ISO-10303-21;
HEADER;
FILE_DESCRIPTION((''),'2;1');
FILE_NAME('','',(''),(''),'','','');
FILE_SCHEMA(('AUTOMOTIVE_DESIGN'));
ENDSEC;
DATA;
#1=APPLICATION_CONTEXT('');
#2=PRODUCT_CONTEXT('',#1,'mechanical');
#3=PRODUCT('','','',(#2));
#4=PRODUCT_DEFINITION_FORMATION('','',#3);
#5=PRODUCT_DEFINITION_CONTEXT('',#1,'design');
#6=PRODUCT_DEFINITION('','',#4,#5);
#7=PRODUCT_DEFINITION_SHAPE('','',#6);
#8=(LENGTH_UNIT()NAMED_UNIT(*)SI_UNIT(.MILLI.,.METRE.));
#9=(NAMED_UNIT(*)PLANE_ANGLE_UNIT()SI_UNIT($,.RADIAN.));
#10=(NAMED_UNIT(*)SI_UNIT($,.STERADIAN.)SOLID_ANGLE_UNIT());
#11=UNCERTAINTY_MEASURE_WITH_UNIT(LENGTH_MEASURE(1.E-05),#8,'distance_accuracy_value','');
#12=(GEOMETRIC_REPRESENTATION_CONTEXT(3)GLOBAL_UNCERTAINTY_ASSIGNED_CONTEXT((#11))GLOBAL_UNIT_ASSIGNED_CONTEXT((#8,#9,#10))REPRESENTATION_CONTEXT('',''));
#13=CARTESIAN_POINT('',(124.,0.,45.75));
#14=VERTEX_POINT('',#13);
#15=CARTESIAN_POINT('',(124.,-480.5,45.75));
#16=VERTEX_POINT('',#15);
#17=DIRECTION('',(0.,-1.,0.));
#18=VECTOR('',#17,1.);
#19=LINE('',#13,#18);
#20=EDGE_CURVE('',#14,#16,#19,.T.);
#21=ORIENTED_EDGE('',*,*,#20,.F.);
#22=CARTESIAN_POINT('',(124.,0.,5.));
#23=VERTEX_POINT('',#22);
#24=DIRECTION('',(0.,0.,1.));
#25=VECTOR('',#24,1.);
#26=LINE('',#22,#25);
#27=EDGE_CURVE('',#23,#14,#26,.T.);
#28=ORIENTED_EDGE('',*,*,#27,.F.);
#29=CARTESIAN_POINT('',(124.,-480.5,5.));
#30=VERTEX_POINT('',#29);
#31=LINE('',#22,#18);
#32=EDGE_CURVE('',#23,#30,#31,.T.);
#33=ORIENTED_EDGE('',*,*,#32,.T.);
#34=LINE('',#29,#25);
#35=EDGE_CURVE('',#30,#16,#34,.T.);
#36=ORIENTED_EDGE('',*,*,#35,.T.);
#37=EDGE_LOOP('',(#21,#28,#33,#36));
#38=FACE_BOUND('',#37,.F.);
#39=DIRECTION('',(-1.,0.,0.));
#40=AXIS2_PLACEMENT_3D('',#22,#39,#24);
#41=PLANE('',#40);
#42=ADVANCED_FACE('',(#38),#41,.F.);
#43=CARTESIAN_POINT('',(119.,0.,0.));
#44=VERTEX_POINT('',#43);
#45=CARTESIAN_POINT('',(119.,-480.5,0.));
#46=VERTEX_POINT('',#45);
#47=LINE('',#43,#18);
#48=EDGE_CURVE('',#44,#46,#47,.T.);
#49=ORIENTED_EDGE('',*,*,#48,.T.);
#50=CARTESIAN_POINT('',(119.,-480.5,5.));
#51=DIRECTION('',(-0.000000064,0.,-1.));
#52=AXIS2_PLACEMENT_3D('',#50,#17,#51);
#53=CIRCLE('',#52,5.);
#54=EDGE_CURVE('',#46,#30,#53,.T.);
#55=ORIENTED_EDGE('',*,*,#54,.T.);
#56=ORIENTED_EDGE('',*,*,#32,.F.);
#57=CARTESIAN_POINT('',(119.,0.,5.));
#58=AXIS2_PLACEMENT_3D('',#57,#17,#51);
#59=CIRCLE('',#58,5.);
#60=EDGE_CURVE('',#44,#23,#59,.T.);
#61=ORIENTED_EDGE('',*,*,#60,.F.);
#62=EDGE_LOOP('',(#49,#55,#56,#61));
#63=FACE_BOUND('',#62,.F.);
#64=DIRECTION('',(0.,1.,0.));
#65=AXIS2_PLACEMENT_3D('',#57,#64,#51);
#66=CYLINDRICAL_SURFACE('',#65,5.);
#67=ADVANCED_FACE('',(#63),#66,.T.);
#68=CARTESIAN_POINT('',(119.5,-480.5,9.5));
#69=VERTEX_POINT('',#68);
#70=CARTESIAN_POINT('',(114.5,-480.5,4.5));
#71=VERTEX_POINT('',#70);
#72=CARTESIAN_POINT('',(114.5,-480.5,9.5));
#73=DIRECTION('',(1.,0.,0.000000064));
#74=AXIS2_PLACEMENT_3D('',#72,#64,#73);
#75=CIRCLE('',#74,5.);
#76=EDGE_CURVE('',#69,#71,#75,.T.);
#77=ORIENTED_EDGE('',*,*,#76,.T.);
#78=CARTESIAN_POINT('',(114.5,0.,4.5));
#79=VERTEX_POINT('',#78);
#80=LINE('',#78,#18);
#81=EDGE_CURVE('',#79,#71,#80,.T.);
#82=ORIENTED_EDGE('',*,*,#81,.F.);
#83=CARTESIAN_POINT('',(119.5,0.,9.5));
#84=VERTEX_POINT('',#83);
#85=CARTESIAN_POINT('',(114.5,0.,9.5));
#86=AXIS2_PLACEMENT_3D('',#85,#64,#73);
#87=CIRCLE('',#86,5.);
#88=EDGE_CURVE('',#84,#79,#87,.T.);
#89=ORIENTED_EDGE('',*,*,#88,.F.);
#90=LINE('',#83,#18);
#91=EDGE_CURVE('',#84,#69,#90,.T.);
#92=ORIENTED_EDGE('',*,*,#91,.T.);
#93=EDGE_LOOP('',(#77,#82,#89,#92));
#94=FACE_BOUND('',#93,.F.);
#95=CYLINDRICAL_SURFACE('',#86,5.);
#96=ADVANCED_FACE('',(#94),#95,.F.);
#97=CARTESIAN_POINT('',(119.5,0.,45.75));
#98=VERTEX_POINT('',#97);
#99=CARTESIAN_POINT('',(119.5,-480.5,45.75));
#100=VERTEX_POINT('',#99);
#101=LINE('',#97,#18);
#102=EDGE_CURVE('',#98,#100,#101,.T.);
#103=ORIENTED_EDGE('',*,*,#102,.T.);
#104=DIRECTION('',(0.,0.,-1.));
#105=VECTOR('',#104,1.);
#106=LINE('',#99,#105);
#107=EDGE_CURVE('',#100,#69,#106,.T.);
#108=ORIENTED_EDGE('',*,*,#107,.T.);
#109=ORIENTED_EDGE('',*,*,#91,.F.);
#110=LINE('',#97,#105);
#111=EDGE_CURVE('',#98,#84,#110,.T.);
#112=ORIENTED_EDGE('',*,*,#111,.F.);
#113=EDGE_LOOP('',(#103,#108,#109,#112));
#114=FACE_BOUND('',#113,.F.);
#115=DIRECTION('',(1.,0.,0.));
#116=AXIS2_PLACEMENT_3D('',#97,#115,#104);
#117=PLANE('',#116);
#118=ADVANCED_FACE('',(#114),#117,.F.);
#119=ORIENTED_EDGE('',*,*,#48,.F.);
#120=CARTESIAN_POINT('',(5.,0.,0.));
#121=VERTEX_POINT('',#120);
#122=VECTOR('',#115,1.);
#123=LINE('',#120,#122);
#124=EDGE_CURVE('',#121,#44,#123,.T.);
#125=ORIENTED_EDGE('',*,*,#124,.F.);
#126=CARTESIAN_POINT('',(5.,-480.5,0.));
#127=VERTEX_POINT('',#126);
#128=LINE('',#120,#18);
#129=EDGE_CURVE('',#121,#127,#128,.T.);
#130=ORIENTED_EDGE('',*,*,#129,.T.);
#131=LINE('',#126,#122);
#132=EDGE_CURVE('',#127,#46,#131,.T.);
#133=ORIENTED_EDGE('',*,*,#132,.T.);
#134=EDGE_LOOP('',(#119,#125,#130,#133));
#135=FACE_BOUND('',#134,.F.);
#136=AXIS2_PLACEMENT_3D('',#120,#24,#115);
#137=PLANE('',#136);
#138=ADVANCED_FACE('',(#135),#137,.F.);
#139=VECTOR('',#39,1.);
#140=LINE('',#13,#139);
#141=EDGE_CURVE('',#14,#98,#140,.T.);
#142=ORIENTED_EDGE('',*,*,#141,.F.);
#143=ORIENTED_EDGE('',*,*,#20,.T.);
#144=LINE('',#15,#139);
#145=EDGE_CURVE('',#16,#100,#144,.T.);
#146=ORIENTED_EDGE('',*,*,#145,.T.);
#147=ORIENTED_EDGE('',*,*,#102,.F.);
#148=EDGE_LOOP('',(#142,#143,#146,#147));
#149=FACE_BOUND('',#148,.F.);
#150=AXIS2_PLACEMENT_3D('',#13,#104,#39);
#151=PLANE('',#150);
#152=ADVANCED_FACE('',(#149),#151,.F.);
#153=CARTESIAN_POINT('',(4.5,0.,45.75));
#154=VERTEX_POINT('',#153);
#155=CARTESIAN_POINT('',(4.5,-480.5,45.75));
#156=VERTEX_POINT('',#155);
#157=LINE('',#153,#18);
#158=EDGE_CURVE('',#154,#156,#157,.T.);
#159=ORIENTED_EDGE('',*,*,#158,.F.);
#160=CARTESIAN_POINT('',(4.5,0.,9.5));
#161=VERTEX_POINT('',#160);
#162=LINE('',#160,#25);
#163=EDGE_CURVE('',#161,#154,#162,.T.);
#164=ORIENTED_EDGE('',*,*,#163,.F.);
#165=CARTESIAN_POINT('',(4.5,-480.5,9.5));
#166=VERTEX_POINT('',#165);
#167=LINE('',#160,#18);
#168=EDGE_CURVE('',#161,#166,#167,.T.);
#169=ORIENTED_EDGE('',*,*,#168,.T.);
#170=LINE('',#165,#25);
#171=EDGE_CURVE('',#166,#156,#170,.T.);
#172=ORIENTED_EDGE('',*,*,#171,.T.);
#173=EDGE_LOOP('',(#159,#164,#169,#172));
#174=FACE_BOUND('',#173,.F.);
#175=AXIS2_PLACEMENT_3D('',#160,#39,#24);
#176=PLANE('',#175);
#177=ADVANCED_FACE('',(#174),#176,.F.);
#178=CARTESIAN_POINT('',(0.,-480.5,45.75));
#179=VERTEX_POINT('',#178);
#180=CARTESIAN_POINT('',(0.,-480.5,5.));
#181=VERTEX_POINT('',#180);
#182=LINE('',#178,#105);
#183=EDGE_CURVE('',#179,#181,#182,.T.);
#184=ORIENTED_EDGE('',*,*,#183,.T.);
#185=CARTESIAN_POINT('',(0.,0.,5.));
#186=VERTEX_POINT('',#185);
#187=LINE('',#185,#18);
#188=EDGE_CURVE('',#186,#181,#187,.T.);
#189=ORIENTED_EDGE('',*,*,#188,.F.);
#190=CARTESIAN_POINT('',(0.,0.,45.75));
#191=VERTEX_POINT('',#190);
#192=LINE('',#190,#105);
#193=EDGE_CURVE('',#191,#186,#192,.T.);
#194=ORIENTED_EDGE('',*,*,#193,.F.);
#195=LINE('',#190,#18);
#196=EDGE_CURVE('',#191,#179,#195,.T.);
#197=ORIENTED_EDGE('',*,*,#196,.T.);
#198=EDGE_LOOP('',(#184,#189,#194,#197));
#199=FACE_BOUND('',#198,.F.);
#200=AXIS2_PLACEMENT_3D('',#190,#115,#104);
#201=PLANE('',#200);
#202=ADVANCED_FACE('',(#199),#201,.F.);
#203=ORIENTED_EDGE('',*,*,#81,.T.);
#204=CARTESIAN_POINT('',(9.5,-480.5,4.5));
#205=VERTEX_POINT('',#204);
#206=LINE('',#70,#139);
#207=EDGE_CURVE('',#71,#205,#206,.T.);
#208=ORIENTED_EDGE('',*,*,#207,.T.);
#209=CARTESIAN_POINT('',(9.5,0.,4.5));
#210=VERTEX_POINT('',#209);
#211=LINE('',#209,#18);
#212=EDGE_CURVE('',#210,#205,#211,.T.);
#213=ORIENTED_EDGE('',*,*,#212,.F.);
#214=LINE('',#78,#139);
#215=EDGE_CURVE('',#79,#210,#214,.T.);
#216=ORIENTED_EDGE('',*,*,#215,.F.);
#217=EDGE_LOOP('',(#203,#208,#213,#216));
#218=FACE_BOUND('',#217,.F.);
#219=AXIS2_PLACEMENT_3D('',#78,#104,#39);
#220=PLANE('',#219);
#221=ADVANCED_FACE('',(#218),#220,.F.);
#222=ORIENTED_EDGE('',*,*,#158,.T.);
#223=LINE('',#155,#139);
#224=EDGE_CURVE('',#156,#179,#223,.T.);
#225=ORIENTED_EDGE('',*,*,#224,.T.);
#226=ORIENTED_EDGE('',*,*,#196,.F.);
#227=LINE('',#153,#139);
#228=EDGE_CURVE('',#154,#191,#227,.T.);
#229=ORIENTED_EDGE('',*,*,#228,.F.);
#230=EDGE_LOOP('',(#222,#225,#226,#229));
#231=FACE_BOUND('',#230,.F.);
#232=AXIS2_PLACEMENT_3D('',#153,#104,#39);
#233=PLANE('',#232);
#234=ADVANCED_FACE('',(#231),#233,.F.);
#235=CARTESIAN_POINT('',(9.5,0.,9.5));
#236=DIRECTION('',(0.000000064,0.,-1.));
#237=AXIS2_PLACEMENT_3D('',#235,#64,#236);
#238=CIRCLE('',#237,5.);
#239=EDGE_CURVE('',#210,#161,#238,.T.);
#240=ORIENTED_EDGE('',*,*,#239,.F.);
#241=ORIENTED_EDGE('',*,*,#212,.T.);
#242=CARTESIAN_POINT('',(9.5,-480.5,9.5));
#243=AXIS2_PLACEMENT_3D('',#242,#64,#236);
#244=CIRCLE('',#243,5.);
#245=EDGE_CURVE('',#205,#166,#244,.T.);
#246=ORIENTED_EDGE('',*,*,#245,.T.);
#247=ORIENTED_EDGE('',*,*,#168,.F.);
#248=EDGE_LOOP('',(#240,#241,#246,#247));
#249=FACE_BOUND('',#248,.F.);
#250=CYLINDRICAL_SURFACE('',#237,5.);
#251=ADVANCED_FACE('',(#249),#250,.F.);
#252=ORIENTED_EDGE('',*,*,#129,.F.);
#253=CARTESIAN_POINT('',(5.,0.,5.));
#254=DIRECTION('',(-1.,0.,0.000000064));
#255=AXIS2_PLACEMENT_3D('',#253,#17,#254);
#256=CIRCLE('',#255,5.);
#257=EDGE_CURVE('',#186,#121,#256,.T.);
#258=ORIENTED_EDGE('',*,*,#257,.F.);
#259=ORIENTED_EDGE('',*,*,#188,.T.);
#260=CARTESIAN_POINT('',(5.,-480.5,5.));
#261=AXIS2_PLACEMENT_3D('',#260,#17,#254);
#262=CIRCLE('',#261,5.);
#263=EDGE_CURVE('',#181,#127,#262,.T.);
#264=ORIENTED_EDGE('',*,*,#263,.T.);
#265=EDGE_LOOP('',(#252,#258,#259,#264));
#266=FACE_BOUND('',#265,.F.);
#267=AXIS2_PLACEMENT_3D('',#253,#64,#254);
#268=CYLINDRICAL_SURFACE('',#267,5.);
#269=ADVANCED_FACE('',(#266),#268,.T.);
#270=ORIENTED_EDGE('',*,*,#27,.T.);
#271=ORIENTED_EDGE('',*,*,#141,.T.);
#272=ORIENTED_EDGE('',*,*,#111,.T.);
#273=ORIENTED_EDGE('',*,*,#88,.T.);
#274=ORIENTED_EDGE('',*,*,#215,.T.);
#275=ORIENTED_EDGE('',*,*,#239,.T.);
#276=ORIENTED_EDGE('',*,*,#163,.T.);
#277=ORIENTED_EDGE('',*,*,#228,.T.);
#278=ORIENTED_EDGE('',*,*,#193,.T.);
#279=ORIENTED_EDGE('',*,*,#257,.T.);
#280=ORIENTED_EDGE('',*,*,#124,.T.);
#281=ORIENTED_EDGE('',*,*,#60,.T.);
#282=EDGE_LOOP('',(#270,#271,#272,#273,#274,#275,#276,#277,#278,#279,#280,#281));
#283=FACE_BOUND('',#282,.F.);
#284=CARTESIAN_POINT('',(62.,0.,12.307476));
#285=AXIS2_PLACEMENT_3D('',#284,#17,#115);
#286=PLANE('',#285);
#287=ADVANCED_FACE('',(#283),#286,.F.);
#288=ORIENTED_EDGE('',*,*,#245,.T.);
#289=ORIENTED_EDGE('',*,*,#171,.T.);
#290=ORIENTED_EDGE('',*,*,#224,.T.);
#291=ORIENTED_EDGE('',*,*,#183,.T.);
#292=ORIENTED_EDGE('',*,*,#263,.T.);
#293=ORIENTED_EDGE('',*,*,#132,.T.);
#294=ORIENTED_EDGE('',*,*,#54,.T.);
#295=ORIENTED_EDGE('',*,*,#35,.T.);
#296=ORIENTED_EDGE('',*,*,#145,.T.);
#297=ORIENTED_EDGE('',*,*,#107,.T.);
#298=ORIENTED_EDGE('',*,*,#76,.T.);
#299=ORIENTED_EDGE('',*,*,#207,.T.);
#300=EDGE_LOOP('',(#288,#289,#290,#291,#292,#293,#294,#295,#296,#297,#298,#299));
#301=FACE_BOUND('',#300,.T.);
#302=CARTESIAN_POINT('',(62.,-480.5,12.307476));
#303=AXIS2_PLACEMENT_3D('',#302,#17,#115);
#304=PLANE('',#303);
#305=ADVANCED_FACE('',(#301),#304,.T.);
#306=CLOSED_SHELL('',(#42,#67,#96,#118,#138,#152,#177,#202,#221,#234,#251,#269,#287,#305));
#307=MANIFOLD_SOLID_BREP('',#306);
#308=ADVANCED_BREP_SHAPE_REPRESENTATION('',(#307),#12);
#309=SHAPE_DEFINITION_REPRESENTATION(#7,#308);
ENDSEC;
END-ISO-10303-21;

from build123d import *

# Parameters (mm, degrees)
F1_DEPTH = 480.5


with BuildPart() as f1:
    # F0 (on Front) → F1 (new body)
    with BuildSketch(Plane.XZ):
        with BuildLine():
            ThreePointArc((0, 5), (1.464466, 1.464466), (5, 0))
            Line((5, 0), (119, 0))
            ThreePointArc((119, 0), (122.535534, 1.464466), (124, 5))
            Line((124, 5), (124, 45.75))
            Line((124, 45.75), (119.5, 45.75))
            Line((119.5, 45.75), (119.5, 9.5))
            ThreePointArc((119.5, 9.5), (118.035534, 5.964466), (114.5, 4.5))
            Line((114.5, 4.5), (9.5, 4.5))
            ThreePointArc((9.5, 4.5), (5.964466, 5.964466), (4.5, 9.5))
            Line((4.5, 9.5), (4.5, 45.75))
            Line((4.5, 45.75), (0, 45.75))
            Line((0, 45.75), (0, 5))
        make_face()
    extrude(amount=F1_DEPTH)


solid = f1.part
